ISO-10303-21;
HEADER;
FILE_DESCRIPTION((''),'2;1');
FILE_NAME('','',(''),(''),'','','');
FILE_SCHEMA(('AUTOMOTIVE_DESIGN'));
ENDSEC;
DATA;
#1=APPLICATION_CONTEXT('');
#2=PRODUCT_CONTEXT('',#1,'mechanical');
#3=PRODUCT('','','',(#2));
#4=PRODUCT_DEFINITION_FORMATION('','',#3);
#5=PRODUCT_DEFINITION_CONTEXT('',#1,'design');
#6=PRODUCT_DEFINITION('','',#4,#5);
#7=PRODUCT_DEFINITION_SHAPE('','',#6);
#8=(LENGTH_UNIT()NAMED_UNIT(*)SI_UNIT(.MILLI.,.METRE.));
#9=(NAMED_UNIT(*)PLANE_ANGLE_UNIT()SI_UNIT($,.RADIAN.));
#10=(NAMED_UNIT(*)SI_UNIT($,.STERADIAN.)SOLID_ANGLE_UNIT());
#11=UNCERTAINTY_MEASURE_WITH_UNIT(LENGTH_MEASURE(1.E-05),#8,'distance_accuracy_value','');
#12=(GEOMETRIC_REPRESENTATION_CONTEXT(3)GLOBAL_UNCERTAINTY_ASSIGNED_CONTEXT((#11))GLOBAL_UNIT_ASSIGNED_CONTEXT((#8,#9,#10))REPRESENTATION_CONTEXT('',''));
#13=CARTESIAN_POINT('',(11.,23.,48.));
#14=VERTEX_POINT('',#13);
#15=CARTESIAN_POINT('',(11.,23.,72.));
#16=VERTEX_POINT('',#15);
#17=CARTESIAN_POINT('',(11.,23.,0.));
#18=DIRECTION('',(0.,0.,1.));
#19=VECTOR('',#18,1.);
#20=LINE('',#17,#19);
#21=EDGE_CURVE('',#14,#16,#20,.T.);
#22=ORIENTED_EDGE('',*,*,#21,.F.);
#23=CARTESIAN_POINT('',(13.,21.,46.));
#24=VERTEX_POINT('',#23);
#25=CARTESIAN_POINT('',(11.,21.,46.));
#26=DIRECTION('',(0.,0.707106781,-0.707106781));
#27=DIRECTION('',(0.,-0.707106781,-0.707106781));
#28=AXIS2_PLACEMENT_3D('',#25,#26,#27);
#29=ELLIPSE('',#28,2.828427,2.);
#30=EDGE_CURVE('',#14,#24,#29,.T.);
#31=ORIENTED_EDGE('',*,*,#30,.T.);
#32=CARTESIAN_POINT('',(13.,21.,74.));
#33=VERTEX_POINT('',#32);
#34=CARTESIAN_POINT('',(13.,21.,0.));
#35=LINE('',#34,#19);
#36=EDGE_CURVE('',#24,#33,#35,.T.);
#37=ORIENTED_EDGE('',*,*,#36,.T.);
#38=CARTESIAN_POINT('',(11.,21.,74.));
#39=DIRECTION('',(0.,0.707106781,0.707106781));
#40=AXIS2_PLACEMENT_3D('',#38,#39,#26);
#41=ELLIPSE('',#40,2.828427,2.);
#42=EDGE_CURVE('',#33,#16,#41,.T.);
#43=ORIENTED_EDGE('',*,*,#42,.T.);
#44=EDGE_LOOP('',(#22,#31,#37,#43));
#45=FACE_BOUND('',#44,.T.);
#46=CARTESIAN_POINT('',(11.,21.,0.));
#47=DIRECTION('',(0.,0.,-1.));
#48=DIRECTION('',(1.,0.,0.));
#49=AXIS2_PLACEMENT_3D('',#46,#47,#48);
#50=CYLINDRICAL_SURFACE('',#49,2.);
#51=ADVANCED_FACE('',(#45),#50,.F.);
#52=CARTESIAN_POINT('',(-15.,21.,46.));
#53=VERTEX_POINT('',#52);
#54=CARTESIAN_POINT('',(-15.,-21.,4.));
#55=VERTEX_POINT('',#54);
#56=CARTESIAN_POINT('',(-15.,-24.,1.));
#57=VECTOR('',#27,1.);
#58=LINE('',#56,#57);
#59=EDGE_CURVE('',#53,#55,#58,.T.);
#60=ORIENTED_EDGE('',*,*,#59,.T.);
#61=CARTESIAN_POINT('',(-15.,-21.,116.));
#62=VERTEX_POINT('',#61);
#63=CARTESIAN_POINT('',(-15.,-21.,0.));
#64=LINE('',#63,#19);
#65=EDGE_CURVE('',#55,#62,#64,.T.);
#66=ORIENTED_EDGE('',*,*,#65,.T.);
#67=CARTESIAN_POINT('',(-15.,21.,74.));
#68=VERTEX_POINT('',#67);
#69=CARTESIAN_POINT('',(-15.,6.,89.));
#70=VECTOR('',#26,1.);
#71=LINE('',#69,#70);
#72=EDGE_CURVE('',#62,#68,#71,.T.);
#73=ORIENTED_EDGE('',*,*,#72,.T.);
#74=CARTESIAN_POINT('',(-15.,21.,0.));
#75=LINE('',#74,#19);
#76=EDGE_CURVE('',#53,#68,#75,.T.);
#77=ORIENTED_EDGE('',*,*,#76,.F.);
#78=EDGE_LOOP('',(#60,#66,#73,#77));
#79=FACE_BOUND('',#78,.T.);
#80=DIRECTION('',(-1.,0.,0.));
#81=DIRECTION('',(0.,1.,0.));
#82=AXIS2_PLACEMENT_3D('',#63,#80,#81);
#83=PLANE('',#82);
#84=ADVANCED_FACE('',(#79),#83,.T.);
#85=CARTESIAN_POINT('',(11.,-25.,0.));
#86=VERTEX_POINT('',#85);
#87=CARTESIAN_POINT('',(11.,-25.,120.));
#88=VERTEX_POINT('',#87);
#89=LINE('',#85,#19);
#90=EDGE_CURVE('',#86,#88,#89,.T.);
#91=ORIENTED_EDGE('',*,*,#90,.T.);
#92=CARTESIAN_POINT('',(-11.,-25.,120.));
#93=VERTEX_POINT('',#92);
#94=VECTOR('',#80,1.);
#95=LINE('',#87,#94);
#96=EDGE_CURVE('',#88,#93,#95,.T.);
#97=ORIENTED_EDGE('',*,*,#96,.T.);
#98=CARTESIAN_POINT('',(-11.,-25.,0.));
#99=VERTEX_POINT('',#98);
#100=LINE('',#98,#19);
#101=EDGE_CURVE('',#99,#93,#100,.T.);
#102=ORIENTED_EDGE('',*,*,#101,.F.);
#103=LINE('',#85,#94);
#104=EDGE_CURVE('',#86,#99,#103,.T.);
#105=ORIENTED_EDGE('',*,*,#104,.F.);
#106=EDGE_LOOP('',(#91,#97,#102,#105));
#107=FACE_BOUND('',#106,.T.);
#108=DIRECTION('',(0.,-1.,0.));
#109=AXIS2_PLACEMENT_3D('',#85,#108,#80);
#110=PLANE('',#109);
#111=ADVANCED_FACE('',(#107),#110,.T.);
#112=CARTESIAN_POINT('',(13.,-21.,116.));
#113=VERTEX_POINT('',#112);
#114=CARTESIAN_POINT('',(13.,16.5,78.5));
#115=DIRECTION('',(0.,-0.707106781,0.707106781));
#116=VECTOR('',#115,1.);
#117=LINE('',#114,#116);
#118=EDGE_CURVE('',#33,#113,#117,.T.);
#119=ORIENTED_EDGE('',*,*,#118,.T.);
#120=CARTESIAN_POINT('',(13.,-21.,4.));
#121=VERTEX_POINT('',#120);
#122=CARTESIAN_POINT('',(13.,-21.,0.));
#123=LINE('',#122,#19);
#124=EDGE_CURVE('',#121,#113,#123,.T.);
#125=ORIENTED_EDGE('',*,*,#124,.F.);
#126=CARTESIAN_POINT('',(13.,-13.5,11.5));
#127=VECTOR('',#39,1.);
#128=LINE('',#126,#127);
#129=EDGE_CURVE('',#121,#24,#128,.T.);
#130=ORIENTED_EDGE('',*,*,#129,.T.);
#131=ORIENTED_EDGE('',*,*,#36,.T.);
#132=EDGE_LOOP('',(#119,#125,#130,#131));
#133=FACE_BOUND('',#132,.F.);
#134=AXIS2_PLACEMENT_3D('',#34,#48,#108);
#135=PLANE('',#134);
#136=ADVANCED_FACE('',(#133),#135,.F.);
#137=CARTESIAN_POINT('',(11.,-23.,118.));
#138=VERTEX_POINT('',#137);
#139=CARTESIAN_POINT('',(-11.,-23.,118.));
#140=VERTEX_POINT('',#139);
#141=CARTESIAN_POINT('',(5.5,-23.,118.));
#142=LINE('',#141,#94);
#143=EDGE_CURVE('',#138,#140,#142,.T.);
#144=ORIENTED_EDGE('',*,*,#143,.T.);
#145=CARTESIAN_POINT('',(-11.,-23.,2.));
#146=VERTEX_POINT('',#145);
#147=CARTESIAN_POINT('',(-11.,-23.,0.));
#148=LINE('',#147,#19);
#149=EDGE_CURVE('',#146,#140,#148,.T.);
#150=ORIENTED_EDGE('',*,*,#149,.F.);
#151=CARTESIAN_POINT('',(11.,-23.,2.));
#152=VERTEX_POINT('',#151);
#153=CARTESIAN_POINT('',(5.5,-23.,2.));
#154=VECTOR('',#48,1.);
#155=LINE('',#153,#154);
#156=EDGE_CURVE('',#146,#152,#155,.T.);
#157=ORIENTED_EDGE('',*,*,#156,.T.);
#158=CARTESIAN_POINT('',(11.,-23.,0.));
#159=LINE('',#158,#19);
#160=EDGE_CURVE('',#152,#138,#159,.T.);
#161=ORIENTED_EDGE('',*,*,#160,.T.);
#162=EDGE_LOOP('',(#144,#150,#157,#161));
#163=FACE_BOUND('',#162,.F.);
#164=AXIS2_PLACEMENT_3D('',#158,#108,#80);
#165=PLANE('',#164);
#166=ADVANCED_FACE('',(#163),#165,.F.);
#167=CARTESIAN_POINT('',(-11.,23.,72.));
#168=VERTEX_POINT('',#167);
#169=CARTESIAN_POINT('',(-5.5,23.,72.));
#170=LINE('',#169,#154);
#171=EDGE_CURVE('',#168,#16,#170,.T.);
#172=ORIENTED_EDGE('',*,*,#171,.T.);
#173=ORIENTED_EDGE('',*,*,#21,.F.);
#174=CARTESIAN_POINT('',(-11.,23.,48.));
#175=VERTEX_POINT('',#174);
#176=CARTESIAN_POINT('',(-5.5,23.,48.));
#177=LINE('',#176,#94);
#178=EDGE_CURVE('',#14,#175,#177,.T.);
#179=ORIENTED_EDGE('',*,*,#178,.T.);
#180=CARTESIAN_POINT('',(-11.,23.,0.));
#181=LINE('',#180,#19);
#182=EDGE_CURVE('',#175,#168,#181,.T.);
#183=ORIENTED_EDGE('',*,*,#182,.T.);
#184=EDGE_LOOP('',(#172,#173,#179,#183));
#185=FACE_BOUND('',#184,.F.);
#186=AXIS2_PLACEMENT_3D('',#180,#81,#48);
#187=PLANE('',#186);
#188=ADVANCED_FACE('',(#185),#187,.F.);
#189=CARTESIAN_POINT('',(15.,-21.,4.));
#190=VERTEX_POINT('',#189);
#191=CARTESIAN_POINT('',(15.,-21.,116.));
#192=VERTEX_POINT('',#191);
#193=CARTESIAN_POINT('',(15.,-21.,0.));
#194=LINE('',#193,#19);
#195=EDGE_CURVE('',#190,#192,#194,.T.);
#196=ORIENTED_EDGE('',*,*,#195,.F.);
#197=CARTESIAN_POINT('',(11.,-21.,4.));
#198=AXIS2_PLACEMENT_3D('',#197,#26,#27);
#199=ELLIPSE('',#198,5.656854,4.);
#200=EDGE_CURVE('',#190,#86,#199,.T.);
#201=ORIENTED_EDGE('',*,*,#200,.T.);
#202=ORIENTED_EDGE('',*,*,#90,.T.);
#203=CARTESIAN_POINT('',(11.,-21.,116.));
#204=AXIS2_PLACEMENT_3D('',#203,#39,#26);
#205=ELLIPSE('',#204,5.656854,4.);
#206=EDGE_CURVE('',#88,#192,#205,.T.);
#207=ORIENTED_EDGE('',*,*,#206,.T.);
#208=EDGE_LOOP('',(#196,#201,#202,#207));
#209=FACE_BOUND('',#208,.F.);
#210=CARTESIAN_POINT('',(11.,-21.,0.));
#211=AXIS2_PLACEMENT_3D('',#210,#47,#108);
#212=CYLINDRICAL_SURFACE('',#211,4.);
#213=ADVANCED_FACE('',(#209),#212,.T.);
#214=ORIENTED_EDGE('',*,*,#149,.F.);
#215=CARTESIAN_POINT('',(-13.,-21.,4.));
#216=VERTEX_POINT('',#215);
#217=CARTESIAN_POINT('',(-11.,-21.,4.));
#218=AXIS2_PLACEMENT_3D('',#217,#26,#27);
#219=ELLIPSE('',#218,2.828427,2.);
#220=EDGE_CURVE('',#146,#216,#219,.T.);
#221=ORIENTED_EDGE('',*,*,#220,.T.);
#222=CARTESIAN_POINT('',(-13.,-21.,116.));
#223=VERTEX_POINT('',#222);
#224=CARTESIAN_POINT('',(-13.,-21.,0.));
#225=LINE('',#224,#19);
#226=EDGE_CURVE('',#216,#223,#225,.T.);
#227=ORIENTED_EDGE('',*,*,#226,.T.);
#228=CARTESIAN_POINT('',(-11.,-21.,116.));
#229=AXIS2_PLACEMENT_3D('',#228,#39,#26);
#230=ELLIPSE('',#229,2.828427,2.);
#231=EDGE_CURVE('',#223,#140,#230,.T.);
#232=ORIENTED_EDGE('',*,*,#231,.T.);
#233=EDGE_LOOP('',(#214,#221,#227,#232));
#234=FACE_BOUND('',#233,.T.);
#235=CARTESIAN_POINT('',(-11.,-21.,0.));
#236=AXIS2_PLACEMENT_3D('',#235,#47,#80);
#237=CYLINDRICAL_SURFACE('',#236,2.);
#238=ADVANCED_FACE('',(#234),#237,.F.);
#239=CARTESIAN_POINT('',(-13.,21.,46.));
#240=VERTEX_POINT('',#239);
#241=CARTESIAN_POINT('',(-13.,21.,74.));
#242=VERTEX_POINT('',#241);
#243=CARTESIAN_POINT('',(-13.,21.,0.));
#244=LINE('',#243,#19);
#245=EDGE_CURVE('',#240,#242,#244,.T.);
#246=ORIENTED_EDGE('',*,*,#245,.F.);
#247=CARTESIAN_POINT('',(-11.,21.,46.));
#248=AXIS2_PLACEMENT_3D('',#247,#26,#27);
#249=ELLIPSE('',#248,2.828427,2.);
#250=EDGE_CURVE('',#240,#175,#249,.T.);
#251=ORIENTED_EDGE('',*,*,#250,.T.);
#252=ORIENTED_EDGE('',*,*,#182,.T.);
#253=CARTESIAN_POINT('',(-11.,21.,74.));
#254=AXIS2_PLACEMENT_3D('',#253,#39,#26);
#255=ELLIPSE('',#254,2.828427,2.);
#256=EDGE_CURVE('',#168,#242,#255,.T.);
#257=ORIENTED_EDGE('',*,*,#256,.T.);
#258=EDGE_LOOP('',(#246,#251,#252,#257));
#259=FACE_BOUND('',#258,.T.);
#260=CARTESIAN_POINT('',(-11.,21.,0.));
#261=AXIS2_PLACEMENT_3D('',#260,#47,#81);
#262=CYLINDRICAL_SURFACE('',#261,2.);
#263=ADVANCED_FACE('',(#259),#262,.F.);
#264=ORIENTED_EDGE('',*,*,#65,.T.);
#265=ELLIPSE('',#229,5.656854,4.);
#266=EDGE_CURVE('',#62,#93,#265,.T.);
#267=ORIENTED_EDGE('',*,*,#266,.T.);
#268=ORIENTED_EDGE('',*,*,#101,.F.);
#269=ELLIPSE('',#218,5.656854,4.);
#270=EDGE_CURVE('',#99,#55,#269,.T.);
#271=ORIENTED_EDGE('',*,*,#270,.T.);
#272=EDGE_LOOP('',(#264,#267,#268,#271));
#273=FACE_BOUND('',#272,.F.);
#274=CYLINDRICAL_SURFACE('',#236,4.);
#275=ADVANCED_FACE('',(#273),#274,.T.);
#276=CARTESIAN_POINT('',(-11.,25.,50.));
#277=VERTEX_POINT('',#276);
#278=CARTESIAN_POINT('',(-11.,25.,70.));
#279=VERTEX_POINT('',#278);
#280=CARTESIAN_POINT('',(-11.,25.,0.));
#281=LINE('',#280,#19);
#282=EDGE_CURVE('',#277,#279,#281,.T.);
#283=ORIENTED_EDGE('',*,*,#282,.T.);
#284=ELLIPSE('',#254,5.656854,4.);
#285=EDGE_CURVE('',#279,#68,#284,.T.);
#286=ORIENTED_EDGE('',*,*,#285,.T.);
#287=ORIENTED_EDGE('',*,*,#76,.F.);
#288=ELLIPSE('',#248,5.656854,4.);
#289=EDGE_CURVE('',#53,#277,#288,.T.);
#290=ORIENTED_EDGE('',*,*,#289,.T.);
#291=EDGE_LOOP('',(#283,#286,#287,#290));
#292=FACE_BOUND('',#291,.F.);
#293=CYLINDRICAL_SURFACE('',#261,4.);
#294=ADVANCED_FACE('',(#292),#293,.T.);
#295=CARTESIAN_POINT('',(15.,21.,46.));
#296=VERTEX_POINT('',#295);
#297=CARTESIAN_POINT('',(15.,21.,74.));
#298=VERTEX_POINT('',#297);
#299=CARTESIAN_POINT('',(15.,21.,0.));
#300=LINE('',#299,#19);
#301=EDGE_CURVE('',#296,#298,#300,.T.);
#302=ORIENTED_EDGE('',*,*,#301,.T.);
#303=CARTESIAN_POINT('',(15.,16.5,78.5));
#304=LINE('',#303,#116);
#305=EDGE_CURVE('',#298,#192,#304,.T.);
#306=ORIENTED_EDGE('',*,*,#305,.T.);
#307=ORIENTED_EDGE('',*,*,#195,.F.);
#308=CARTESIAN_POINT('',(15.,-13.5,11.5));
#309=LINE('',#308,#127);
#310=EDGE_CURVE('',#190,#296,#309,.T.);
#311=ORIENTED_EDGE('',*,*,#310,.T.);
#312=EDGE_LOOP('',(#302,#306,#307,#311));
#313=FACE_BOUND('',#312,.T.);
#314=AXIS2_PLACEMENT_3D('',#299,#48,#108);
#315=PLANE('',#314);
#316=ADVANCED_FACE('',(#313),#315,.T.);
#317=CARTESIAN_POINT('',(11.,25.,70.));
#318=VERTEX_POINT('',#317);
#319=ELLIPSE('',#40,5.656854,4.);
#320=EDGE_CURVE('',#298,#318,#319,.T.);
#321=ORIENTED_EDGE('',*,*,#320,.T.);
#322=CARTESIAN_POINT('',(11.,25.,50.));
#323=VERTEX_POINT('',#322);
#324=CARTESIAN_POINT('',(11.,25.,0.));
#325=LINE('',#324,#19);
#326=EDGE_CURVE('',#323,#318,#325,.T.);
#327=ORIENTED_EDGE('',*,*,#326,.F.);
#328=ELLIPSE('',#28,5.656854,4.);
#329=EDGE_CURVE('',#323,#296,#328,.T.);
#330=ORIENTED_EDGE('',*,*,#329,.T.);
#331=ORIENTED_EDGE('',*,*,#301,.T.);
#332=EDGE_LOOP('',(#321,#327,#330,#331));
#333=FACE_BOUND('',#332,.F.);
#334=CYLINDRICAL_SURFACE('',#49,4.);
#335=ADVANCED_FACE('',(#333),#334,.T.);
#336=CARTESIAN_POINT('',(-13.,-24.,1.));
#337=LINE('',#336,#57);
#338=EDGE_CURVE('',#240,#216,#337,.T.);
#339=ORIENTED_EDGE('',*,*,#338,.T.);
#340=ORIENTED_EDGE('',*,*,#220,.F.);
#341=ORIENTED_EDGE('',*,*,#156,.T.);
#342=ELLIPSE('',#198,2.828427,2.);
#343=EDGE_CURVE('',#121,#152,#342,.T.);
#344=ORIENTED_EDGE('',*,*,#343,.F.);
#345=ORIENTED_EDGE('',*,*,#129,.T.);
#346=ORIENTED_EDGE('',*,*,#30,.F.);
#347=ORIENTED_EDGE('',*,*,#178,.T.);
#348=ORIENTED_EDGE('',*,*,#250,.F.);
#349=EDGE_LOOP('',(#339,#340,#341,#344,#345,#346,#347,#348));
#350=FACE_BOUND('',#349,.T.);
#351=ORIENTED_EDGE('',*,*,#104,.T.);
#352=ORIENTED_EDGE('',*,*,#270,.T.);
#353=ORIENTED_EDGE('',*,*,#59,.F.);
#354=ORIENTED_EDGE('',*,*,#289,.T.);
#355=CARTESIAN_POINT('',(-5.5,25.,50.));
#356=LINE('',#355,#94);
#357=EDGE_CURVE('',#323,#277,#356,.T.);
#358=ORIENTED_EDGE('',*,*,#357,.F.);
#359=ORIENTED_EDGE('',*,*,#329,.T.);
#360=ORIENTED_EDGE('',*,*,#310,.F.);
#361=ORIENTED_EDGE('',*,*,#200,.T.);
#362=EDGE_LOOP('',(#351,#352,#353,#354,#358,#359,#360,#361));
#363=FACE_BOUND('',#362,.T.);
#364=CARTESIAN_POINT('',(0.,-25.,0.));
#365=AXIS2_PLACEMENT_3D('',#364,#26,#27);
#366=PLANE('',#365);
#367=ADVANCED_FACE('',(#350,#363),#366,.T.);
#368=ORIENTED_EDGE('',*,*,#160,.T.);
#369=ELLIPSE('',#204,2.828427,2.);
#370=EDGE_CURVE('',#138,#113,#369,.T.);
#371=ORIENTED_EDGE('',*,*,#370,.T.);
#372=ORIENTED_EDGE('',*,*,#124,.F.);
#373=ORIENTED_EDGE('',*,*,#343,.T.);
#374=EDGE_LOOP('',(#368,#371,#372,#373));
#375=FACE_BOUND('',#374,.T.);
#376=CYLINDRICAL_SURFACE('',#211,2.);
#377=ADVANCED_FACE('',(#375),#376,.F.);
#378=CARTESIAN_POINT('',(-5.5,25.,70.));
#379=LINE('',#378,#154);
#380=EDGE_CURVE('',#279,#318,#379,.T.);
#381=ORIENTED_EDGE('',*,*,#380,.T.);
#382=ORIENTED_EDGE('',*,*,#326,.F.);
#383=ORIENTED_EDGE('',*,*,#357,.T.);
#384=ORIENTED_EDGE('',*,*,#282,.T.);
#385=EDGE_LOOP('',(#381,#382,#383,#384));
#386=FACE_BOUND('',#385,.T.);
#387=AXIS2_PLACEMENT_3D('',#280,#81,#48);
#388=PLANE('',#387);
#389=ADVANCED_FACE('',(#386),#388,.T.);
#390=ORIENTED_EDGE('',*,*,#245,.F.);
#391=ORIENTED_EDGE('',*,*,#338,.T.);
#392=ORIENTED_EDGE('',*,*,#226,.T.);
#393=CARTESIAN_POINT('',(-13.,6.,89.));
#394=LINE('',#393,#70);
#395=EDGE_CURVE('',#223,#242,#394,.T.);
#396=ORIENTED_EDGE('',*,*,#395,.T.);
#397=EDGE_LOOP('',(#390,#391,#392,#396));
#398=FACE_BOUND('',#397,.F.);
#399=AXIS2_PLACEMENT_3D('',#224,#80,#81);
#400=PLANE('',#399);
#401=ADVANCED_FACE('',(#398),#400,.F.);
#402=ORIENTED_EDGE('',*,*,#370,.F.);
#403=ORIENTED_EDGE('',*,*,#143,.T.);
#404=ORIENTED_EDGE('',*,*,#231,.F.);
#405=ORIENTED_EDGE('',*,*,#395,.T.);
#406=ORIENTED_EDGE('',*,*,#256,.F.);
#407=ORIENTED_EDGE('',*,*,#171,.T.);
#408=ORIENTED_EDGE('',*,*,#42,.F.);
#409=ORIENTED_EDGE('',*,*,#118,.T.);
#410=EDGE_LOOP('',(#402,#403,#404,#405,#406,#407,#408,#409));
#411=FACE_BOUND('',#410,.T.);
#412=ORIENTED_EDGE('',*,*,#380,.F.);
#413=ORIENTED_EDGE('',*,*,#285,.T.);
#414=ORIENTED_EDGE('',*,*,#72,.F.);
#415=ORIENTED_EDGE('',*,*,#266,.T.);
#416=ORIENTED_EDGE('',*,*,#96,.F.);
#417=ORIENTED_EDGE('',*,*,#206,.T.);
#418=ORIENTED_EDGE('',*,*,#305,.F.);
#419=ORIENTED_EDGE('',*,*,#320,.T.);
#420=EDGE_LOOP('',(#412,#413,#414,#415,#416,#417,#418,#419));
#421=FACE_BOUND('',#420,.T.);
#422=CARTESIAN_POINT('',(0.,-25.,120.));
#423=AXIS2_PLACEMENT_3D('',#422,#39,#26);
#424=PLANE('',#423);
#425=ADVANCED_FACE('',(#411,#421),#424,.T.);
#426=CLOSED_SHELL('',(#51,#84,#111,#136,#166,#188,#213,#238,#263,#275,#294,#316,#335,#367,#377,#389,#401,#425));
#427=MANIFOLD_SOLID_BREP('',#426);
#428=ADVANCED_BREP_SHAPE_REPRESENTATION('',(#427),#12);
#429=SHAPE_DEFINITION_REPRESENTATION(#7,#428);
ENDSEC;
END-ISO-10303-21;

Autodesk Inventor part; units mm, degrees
ref_plane "Plano inicial" through (0, 0, 0) normal (0, 0, 1) x (1, 0, 0)
ref_plane "Plano final" through (0, 0, 120) normal (0, 0, 1) x (1, 0, 0)
sketch "Rascunho" plane through (0, 0, 0) normal (0, 0, 1) x (1, 0, 0)
  line L0 (-15, -21) -> (-15, 21)
  line L1 (-11, 25) -> (11, 25)
  line L2 (15, 21) -> (15, -21)
  line L3 (11, -25) -> (-11, -25)
  arc A0 (-15, -21) -> (-11, -25) centre (-11, -21) ccw
  arc A1 (15, 21) -> (11, 25) centre (11, 21) ccw
  arc A2 (-11, 25) -> (-15, 21) centre (-11, 21) ccw
  arc A3 (11, -25) -> (15, -21) centre (11, -21) ccw
  arc A4 (-11, 23) -> (-13, 21) centre (-11, 21) ccw
  line L4 (-11, 23) -> (11, 23)
  arc A5 (13, 21) -> (11, 23) centre (11, 21) ccw
  line L5 (13, 21) -> (13, -21)
  arc A6 (11, -23) -> (13, -21) centre (11, -21) ccw
  line L6 (11, -23) -> (-11, -23)
  arc A7 (-13, -21) -> (-11, -23) centre (-11, -21) ccw
  line L7 (-13, -21) -> (-13, 21)
  line L8 (0, 29.1598) -> (0, -29.1598) construction
  line L9 (-15.1598, 0) -> (15.1598, 0) construction
  dimension "d7" = 4
  dimension "d9" = 30
  dimension "d11" = 50
  dimension "d12" = 2
  dimension "d15" = 15
  dimension "d16" = 25
extrude "Corpo" add sketch "Rascunho" along normal up to surface (120 mm away) from surface at 0
sketch "Sketch3" plane through (0, 0, 0) normal (0, 0, 1) x (1, 0, 0)
  line L0 (0, 0) -> (10, 0)
ref_plane "Work Plane3" through (0, 0, 0) normal (0, -1, 0) x (1, 0, 0)
sketch "Sketch4" plane through (0, 0, 0) normal (0, -1, 0) x (1, 0, 0)
  line L0 (-2, 0) -> (12, 0)
  line L1 (-2, 120) -> (12, 120)
  dimension "d18" = 120
ref_plane "Plano de trabalho4" through (0, -25, 0) normal (0, 0.7071, -0.7071) x (1, 0, 0)
split "Dividir1" plane through (0, -25, 0) removes the side toward (0, 0.7071, -0.7071)
ref_plane "Plano de trabalho5" through (0, -25, 120) normal (0, 0.7071, 0.7071) x (1, 0, 0)
split "Dividir2" plane through (0, -25, 120) removes the side toward (0, 0.7071, 0.7071)
equation "\"d7\" = G_IR"
equation "\"d9\" = G_W"
equation "\"d11\" = G_H"
equation "\"d12\" = G_T"
equation "\"d15\" = 0.5 * d9"
equation "\"d16\" = 0.5 * d11"
equation "\"d3\" = G_L"
equation "\"G_W\" = 30"
equation "\"G_H\" = 50"
equation "\"G_T\" = 2"
equation "\"G_IR\" = 4"
equation "\"G_L\" = d18"
equation "\"G_OFFSET_START\" = 0"
equation "\"G_OFFSET_END\" = 0"
equation "\"d14\" = G_OFFSET_END + B_L"
equation "\"B_L\" = 120"
properties part number "ISO 4019 - 50x30x2 - 120" material "Aço, suave"
